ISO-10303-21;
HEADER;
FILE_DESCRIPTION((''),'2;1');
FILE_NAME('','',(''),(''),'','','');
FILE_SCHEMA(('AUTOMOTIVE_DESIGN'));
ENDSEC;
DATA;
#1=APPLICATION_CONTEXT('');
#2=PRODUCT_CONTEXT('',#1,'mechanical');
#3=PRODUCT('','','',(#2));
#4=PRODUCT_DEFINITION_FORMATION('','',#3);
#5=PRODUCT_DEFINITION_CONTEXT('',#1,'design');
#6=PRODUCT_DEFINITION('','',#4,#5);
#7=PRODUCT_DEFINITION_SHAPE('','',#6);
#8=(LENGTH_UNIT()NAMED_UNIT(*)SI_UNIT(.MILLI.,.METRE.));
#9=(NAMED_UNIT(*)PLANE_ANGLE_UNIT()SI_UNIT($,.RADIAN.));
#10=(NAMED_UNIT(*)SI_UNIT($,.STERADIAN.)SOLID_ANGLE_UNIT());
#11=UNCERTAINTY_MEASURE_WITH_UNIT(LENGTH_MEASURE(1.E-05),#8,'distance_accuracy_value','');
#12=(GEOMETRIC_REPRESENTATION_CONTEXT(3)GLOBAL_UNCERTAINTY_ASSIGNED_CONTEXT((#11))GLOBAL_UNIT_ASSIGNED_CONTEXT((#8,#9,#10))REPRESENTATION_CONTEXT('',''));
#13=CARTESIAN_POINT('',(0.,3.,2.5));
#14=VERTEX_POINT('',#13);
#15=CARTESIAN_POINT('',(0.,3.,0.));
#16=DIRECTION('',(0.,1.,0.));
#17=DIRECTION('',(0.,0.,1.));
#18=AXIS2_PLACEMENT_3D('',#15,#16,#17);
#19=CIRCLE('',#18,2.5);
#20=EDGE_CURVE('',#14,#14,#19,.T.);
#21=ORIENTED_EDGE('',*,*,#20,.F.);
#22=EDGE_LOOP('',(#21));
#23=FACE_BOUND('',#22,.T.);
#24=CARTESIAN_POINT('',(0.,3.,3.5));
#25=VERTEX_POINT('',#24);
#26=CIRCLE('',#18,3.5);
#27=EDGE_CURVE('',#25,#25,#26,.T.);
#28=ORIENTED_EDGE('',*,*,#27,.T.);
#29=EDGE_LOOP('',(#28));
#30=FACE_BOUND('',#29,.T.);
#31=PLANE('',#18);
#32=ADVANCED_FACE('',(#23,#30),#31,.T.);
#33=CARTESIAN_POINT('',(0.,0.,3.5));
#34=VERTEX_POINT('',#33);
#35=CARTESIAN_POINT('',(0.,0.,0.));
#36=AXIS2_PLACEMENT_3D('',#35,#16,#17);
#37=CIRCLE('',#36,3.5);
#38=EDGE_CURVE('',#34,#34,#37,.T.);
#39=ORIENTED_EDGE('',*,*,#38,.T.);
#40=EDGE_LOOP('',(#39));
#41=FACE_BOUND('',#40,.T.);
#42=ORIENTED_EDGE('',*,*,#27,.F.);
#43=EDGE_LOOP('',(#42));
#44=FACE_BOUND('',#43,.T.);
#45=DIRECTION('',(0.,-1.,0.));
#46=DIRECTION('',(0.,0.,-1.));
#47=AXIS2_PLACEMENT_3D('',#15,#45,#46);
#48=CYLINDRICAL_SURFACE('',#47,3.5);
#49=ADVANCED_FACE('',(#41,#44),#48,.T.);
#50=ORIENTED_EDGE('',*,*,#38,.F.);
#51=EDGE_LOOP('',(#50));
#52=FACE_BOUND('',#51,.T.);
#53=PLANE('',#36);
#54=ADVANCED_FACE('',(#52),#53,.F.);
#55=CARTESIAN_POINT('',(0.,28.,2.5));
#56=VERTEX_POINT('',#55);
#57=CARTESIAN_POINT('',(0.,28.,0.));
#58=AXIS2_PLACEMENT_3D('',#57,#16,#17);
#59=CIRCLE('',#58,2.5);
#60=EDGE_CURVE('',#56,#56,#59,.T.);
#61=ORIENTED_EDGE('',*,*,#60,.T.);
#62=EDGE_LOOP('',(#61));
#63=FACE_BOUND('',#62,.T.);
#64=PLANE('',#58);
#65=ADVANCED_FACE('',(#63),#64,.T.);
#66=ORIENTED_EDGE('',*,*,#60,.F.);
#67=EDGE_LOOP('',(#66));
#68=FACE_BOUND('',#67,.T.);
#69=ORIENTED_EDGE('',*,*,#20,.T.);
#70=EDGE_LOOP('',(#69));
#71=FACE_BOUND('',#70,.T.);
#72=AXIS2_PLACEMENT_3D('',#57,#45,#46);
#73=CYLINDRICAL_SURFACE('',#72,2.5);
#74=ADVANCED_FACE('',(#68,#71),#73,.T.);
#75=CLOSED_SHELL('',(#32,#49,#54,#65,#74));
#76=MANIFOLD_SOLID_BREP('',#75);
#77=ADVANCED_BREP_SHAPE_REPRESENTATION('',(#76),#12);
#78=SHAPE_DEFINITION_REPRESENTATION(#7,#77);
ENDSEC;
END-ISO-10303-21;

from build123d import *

# Parameters (mm, degrees)
SKETCH1_R           = 3.5
BOSS_EXTRUDE1_DEPTH = 3
SKETCH2_R           = 2.5
BOSS_EXTRUDE2_DEPTH = 25


with BuildPart() as part:
    # Sketch1 → Boss-Extrude1 (new body)
    with BuildSketch(Plane(origin=(0, 0, 0), x_dir=(1, 0, 0), z_dir=(0, 1, 0))):
        Circle(SKETCH1_R)
    extrude(amount=BOSS_EXTRUDE1_DEPTH)

    # Sketch2 → Boss-Extrude2 (add)
    with BuildSketch(Plane(origin=(0, 3, 0), x_dir=(1, 0, 0), z_dir=(0, 1, 0))):
        Circle(SKETCH2_R)
    extrude(amount=BOSS_EXTRUDE2_DEPTH)


solid = part.part
